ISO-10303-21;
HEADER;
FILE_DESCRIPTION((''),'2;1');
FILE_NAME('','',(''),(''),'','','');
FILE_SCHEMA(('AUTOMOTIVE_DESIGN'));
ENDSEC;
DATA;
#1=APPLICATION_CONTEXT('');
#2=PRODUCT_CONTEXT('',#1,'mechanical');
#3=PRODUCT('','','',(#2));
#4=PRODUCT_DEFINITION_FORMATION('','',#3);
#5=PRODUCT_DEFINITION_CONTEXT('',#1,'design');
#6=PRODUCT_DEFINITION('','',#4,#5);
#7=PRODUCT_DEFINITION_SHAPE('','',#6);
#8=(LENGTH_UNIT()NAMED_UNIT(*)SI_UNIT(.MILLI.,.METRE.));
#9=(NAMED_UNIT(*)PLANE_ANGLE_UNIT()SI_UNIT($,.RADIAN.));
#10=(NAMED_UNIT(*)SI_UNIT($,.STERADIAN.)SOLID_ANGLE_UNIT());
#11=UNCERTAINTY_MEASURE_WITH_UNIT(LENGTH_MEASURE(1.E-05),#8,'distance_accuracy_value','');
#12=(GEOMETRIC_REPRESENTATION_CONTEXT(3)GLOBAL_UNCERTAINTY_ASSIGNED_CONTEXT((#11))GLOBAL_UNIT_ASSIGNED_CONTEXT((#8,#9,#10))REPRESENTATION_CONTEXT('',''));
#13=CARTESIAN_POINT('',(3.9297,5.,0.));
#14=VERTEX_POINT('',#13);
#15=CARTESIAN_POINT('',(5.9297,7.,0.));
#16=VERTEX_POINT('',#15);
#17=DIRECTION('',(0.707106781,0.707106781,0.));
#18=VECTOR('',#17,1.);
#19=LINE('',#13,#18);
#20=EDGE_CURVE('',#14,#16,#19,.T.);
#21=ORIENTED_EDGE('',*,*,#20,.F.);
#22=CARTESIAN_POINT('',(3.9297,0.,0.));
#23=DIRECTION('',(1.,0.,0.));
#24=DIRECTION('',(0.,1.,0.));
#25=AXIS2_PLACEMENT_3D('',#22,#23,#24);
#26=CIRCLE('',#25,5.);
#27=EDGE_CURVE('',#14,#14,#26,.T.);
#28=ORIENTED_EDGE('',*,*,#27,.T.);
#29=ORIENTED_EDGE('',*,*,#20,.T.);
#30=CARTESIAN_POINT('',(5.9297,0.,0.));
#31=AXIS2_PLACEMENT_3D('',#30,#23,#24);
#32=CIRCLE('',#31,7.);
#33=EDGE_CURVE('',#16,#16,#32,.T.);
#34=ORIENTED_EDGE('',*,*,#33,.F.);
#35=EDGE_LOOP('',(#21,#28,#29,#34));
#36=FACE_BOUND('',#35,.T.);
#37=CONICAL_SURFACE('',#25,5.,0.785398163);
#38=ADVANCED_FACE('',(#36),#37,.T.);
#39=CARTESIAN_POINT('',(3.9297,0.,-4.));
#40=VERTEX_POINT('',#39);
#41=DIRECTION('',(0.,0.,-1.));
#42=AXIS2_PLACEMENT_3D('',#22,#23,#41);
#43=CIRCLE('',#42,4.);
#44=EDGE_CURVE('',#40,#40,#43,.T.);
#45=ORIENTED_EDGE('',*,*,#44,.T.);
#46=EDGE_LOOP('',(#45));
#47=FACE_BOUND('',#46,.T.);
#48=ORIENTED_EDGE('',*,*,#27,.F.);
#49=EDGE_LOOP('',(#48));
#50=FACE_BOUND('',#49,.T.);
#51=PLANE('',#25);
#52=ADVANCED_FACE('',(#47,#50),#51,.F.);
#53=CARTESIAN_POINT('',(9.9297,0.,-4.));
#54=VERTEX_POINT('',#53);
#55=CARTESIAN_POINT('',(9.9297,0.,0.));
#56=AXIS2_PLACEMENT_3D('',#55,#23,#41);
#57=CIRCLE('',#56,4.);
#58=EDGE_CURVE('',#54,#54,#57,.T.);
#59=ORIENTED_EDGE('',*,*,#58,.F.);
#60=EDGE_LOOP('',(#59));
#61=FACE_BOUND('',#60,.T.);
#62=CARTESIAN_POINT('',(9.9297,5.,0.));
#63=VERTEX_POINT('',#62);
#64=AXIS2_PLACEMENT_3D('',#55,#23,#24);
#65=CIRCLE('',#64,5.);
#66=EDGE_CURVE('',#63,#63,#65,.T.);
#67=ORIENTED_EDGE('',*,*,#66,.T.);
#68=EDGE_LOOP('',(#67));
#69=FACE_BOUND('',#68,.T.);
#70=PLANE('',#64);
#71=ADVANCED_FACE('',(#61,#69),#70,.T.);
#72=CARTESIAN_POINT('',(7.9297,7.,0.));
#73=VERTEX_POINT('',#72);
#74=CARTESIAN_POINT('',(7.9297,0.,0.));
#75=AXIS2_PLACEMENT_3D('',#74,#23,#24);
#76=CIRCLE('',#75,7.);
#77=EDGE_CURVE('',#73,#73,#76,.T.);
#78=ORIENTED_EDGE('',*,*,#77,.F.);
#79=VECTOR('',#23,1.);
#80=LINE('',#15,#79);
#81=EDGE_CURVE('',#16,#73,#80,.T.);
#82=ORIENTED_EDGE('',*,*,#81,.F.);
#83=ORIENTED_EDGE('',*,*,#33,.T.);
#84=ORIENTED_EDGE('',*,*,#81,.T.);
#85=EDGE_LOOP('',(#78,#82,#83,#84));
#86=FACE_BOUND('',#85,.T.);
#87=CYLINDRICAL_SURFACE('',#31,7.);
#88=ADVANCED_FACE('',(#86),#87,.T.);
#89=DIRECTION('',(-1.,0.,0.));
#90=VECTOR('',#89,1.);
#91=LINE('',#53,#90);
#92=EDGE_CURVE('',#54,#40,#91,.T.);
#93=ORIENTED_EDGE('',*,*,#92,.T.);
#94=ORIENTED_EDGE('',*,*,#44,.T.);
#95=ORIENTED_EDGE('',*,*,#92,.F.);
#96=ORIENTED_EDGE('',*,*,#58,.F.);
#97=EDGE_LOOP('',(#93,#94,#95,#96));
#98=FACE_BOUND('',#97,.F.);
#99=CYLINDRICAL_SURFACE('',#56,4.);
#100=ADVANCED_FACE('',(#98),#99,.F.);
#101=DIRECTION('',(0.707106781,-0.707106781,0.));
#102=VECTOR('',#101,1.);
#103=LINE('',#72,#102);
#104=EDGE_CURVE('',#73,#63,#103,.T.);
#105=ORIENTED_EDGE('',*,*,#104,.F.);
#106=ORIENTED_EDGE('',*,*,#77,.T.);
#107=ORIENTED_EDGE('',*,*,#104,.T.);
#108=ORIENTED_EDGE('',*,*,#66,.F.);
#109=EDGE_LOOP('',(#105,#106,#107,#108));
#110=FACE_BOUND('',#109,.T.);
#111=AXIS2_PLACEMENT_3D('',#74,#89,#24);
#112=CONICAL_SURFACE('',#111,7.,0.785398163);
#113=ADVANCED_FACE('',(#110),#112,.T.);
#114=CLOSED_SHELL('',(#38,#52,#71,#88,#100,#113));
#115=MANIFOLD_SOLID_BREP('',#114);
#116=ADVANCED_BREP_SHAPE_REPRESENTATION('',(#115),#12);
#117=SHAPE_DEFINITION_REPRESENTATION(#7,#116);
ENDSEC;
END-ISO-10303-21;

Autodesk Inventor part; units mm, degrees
ref_plane "YZ Plane" through (0, 0, 0) normal (1, 0, 0) x (0, 1, 0)
ref_plane "XZ Plane" through (0, 0, 0) normal (0, 1, 0) x (-1, 0, 0)
ref_plane "XY Plane" through (0, 0, 0) normal (0, 0, 1) x (1, 0, 0)
sketch "Sketch1" plane through (0, 0, 0) normal (0, 0, 1) x (1, 0, 0)
  line L0 (0, 0) -> (11.8926, 0)
  line L1 (3.9297, 0) -> (3.9297, 5)
  line L2 (3.9297, 5) -> (5.9297, 7)
  line L3 (5.9297, 7) -> (7.9297, 7)
  line L4 (7.9297, 7) -> (9.9297, 5)
  line L5 (9.9297, 5) -> (9.9297, 0)
  line L6 (0.8799, 7) -> (12.9795, 7) construction
  line L7 (6.9297, 9.4343) -> (6.9297, -2.3254) construction
  line L8 (5.9297, 7) -> (5.9463, 0)
  line L9 (7.9297, 7) -> (7.9297, 0)
  point P0 (6.9297, 7)
  point P1 (3.9297, 2.5)
  point P2 (9.9297, 2.5)
  point P3 (6.9297, 7)
  dimension "d0" = 2
  dimension "d1" = 45
  dimension "d3" = 45
  dimension "d4" = 14
  dimension "d6" = 3
  dimension "d7" = 3
revolve "Revolution1" add sketch "Sketch1" angle 360 about axis through (0, 0, 0) along (1, 0, 0)
sketch "Sketch2" plane through (9.9297, 0, 0) normal (1, 0, 0) x (0, 0, -1)
  circle A0 centre (0, 0) radius 4
  dimension "d9" = 8
extrude "Extrusion1" cut sketch "Sketch2" against normal blind 10
properties material "Iron, Malleable"
